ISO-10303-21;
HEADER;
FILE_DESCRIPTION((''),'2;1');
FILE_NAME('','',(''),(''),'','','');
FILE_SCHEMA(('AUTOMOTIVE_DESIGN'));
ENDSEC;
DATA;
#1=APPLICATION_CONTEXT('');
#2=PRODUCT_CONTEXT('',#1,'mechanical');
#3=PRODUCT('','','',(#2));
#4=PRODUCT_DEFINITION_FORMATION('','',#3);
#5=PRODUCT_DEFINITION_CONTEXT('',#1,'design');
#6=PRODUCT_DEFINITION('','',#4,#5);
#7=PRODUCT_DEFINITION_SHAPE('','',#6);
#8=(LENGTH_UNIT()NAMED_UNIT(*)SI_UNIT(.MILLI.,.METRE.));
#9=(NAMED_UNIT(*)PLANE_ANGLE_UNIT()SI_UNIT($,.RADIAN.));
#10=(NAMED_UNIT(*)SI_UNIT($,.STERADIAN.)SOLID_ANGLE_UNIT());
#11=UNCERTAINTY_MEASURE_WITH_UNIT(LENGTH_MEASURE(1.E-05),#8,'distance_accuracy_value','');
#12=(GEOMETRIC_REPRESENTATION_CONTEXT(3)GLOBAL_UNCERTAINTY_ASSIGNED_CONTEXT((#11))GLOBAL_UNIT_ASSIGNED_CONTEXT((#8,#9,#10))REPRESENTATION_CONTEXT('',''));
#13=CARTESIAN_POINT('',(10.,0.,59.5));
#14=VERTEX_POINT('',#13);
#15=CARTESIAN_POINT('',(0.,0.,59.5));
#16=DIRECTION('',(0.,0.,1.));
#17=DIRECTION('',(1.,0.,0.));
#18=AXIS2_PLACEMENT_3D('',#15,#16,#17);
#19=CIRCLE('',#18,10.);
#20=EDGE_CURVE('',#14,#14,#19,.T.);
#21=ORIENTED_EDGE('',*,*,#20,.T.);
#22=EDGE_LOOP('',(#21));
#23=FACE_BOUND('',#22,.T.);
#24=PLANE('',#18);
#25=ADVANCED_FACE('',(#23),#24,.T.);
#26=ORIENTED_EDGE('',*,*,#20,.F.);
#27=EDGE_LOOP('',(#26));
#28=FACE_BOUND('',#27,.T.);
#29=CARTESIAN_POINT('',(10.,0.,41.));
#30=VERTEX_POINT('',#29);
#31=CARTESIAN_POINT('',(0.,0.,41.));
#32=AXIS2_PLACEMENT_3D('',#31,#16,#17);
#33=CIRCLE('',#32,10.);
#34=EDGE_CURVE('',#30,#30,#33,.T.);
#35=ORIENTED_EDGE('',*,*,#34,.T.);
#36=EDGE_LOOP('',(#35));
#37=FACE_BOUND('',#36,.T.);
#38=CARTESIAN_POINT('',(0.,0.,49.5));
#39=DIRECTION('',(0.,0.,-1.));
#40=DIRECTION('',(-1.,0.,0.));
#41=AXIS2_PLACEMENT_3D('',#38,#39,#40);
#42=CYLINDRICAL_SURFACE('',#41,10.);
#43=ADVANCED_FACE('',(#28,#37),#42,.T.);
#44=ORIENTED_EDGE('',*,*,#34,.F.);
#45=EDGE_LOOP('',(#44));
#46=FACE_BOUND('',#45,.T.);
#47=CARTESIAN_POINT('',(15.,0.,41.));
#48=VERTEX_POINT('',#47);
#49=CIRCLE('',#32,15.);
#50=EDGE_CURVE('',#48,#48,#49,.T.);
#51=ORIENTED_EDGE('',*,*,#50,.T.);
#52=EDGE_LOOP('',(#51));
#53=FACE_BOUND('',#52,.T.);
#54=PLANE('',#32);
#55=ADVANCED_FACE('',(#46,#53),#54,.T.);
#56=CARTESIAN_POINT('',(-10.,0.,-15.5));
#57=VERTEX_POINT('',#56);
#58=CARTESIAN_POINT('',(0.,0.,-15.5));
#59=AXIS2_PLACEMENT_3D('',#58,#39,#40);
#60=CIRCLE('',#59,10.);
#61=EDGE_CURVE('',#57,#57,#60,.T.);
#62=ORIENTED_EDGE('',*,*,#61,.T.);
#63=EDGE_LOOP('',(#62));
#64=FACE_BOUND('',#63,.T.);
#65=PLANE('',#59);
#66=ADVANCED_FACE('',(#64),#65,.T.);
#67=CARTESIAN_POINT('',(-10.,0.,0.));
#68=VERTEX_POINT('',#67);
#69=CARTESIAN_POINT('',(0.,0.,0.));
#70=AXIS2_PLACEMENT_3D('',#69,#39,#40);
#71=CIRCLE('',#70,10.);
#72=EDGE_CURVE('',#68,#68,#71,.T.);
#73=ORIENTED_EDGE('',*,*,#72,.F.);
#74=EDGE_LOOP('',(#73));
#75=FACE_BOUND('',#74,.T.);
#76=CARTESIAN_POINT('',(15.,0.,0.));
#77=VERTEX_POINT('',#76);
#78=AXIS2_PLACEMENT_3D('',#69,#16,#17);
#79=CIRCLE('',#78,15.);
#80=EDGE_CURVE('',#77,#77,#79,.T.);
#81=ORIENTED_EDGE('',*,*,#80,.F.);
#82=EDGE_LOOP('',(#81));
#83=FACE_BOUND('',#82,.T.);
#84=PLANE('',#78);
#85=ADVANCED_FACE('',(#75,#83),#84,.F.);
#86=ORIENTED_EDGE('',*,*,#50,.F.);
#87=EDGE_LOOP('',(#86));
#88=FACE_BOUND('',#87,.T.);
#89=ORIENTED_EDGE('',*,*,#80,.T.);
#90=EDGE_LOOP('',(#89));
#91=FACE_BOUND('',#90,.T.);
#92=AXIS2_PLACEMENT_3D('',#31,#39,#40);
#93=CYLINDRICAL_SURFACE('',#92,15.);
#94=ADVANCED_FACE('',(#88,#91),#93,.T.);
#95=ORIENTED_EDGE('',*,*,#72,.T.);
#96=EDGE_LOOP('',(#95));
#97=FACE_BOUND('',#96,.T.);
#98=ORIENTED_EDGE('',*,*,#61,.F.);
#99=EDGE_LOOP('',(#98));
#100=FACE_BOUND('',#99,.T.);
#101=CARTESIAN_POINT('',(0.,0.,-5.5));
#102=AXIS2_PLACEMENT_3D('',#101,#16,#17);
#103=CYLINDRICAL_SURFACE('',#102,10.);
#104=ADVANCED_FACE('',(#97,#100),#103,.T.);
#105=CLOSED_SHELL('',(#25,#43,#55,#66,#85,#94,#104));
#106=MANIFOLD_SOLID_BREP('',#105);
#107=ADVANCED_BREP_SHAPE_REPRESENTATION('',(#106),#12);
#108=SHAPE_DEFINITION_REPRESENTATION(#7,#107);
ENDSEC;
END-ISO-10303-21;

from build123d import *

# Parameters (mm, degrees)
SKETCH1_R           = 15
BOSS_EXTRUDE1_DEPTH = 41
SKETCH2_R           = 10
BOSS_EXTRUDE2_DEPTH = 8.5
BOSS_EXTRUDE3_START = 5.5
SKETCH3_R           = 10
BOSS_EXTRUDE3_DEPTH = 5.5
SKETCH4_R           = 10
BOSS_EXTRUDE4_DEPTH = 10
BOSS_EXTRUDE5_START = 10
SKETCH5_R           = 10
BOSS_EXTRUDE5_DEPTH = 10


with BuildPart() as part:
    # Sketch1 → Boss-Extrude1 (new body)
    with BuildSketch(Plane.XY):
        Circle(SKETCH1_R)
    extrude(amount=BOSS_EXTRUDE1_DEPTH)

    # Sketch2 → Boss-Extrude2 (add)
    with BuildSketch(Plane.XY.offset(41)):
        Circle(SKETCH2_R)
    extrude(amount=BOSS_EXTRUDE2_DEPTH)

    # Sketch3 → Boss-Extrude3 (add)
    with BuildSketch(Plane(origin=(0, 0, 0), x_dir=(-1, 0, 0), z_dir=(0, 0, -1)).offset(BOSS_EXTRUDE3_START)):
        with Locations(Location((0, 0, 0), (0, 0, 180))):
            Circle(SKETCH3_R)
    extrude(amount=-BOSS_EXTRUDE3_DEPTH)

    # Sketch4 → Boss-Extrude4 (add)
    with BuildSketch(Plane.XY.offset(49.5)):
        Circle(SKETCH4_R)
    extrude(amount=BOSS_EXTRUDE4_DEPTH)

    # Sketch5 → Boss-Extrude5 (add)
    with BuildSketch(Plane(origin=(0, 0, -5.5), x_dir=(-1, 0, 0), z_dir=(0, 0, -1)).offset(BOSS_EXTRUDE5_START)):
        with Locations(Location((0, 0, 0), (0, 0, 180))):
            Circle(SKETCH5_R)
    extrude(amount=-BOSS_EXTRUDE5_DEPTH)


solid = part.part
